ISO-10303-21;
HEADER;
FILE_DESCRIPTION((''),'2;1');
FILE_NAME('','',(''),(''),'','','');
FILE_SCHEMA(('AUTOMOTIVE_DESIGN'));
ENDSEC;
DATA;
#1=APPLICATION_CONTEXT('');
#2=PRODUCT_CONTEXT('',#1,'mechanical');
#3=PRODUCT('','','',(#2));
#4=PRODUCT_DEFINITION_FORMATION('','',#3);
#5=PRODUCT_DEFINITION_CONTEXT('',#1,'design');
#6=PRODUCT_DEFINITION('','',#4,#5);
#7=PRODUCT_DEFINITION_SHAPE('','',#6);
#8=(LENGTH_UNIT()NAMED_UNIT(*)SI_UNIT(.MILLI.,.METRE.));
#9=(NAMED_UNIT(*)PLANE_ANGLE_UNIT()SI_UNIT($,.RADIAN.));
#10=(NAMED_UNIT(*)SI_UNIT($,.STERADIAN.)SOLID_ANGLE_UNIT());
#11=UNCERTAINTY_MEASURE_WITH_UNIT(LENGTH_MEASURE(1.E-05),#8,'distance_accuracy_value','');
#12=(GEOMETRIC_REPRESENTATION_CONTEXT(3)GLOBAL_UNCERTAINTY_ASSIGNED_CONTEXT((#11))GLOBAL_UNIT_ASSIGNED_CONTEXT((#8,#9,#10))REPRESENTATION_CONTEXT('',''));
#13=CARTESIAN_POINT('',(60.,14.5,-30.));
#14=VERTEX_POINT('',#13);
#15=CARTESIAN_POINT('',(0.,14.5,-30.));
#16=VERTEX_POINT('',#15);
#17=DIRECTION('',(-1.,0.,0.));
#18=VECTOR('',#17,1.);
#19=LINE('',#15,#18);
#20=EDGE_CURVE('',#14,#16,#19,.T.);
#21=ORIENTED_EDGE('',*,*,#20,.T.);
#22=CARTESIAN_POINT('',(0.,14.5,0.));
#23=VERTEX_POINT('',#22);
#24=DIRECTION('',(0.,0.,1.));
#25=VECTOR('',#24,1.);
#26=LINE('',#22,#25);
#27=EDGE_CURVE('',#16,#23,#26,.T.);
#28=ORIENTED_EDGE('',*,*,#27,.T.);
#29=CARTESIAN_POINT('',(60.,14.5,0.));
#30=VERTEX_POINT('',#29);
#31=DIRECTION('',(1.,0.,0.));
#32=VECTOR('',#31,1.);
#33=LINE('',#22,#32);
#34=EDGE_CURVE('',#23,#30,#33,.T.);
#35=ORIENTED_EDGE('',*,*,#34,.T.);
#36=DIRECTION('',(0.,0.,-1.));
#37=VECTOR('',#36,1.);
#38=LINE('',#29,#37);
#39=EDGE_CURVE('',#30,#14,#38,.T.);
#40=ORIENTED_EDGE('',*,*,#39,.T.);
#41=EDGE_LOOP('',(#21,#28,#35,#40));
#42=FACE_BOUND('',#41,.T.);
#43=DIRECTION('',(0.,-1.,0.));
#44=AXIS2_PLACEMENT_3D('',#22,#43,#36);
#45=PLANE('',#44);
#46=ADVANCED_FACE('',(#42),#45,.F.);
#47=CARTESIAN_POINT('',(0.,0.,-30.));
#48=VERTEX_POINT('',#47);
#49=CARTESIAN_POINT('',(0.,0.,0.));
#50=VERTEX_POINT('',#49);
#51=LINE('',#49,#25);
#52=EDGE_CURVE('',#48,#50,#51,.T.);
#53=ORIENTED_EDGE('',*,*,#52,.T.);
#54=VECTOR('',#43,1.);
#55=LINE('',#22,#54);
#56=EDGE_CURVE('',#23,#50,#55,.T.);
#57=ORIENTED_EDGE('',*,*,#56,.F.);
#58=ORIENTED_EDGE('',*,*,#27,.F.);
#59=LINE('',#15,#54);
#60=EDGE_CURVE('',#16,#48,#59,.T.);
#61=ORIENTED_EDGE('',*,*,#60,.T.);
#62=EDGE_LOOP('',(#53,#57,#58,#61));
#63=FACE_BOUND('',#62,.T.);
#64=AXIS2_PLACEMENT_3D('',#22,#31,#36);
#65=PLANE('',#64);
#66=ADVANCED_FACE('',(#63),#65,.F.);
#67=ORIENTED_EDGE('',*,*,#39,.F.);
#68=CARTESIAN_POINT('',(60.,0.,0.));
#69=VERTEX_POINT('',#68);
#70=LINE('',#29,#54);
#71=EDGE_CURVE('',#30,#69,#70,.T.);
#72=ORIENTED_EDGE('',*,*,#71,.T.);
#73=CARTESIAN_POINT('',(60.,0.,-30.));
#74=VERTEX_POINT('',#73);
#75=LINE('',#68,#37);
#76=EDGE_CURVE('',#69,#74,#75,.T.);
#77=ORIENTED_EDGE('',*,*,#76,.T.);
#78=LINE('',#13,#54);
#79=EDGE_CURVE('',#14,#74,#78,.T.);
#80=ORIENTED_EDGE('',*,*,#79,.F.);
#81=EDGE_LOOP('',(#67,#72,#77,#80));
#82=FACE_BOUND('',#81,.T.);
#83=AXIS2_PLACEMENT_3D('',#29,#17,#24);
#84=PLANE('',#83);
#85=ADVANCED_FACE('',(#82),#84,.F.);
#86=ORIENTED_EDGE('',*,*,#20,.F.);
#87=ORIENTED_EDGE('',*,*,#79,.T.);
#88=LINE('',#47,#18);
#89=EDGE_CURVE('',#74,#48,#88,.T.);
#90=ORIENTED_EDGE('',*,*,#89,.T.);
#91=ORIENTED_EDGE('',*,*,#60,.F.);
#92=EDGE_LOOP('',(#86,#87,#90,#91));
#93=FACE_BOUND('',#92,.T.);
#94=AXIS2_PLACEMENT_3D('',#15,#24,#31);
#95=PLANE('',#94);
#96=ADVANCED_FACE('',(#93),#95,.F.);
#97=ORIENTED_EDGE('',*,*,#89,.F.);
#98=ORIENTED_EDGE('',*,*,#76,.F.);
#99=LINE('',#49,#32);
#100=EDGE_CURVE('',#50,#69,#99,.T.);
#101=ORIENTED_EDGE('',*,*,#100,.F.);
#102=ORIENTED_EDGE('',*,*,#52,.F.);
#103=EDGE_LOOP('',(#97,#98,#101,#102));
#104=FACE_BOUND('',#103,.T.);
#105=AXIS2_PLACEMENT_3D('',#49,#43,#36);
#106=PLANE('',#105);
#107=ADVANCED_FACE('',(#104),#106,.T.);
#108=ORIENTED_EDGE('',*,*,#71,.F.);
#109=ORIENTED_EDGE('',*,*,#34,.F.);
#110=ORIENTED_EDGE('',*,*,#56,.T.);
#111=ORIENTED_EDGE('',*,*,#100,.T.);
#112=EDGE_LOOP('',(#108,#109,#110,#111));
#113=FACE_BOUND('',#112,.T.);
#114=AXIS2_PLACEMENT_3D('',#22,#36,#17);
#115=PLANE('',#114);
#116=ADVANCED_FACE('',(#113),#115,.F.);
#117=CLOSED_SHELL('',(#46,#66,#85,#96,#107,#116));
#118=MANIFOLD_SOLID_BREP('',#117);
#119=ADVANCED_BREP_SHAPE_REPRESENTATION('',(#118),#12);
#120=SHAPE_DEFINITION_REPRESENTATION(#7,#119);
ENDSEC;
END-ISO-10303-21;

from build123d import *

# Parameters (mm, degrees)
SKETCH_1_W      = 60
SKETCH_1_H      = 30
EXTRUDE_1_DEPTH = 14.5


with BuildPart() as part:
    # 草图1 → 凸台-拉伸1 (new body)
    with BuildSketch(Plane(origin=(0, 0, 0), x_dir=(1, 0, 0), z_dir=(0, 1, 0))):
        with Locations((30, 15)):
            Rectangle(SKETCH_1_W, SKETCH_1_H)
    extrude(amount=EXTRUDE_1_DEPTH)


solid = part.part
